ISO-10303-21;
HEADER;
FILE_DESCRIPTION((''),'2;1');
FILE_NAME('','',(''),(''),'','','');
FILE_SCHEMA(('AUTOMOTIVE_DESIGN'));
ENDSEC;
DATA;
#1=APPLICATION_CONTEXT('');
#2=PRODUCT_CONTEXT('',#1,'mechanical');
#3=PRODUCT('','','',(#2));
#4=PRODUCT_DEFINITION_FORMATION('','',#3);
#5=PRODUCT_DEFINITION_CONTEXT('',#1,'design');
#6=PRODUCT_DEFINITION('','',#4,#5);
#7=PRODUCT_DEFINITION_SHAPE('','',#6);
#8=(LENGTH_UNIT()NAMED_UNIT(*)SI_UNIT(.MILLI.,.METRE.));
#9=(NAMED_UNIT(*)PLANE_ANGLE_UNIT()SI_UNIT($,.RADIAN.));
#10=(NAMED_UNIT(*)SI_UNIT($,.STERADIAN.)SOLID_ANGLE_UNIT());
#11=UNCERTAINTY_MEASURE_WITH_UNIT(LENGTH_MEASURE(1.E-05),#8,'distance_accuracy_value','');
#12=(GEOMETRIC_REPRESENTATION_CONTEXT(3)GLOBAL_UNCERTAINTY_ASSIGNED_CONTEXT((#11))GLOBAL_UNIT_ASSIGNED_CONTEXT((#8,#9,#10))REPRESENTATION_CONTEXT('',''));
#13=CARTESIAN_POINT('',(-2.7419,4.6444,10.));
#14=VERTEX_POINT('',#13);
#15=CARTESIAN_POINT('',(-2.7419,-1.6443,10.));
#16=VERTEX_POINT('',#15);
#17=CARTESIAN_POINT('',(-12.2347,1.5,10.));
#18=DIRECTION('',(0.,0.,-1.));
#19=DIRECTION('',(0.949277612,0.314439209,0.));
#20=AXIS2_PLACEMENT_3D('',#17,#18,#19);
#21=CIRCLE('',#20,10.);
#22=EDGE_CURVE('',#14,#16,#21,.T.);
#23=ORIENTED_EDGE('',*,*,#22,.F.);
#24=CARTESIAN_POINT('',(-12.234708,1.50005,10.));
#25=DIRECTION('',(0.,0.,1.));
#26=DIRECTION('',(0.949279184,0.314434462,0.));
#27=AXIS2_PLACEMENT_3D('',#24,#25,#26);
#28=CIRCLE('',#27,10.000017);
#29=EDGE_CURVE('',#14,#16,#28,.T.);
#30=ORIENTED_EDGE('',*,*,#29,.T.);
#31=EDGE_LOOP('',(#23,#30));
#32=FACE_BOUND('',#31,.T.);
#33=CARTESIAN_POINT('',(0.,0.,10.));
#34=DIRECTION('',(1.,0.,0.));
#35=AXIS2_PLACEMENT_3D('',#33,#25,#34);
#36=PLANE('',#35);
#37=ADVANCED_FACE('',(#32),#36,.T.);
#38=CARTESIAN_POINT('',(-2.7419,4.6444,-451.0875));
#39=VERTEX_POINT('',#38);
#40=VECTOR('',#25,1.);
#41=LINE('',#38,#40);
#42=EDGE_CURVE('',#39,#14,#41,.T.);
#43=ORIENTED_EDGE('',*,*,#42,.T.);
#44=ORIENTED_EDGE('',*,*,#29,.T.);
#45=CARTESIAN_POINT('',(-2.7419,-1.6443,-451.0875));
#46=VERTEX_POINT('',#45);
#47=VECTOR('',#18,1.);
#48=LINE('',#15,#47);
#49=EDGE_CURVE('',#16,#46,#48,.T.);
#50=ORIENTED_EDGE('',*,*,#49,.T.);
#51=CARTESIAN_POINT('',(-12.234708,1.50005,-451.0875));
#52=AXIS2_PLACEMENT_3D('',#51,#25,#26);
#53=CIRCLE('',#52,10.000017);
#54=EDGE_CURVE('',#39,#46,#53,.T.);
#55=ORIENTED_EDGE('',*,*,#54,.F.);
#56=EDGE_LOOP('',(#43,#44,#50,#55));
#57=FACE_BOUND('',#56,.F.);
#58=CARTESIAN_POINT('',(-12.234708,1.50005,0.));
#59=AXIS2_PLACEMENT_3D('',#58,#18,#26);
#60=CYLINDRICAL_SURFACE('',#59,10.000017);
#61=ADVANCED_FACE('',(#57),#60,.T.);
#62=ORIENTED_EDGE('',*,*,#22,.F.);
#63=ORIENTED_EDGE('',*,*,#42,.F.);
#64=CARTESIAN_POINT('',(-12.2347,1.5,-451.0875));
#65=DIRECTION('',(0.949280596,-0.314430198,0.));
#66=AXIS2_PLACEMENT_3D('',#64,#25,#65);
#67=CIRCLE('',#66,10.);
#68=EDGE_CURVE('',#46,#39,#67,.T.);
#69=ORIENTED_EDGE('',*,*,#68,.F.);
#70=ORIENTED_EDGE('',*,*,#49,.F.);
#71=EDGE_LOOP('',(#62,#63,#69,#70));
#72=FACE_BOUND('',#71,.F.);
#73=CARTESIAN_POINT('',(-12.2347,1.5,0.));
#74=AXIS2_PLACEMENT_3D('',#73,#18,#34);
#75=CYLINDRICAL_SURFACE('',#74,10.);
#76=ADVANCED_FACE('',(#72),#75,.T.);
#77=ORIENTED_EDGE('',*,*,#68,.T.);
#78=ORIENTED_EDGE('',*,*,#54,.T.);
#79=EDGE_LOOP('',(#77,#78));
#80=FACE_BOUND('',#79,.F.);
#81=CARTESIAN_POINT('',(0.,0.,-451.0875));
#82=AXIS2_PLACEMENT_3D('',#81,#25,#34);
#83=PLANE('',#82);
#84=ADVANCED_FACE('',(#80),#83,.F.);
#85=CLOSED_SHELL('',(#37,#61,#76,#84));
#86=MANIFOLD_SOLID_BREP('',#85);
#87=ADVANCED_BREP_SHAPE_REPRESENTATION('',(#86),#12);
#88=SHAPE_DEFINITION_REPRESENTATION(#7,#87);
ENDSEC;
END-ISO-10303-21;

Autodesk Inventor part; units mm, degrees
ref_plane "YZ Plane" through (0, 0, 0) normal (1, 0, 0) x (0, 1, 0)
ref_plane "XZ Plane" through (0, 0, 0) normal (0, 1, 0) x (-1, 0, 0)
ref_plane "XY Plane" through (0, 0, 0) normal (0, 0, 1) x (1, 0, 0)
sketch "Sketch1" plane through (0, 0, 0) normal (0, 0, 1) x (1, 0, 0)
  arc A0 (-2.7419, 4.6444) -> (-2.7419, -1.6443) centre (-12.2347, 1.5) ccw projected
  circle A1 centre (-12.2347, 1.5) radius 10
  point P0 (0, 0)
extrude "Extrusion1" add sketch "Sketch1" along normal blind 10 and the other way blind 451.0875
properties part number "HorStrut"
